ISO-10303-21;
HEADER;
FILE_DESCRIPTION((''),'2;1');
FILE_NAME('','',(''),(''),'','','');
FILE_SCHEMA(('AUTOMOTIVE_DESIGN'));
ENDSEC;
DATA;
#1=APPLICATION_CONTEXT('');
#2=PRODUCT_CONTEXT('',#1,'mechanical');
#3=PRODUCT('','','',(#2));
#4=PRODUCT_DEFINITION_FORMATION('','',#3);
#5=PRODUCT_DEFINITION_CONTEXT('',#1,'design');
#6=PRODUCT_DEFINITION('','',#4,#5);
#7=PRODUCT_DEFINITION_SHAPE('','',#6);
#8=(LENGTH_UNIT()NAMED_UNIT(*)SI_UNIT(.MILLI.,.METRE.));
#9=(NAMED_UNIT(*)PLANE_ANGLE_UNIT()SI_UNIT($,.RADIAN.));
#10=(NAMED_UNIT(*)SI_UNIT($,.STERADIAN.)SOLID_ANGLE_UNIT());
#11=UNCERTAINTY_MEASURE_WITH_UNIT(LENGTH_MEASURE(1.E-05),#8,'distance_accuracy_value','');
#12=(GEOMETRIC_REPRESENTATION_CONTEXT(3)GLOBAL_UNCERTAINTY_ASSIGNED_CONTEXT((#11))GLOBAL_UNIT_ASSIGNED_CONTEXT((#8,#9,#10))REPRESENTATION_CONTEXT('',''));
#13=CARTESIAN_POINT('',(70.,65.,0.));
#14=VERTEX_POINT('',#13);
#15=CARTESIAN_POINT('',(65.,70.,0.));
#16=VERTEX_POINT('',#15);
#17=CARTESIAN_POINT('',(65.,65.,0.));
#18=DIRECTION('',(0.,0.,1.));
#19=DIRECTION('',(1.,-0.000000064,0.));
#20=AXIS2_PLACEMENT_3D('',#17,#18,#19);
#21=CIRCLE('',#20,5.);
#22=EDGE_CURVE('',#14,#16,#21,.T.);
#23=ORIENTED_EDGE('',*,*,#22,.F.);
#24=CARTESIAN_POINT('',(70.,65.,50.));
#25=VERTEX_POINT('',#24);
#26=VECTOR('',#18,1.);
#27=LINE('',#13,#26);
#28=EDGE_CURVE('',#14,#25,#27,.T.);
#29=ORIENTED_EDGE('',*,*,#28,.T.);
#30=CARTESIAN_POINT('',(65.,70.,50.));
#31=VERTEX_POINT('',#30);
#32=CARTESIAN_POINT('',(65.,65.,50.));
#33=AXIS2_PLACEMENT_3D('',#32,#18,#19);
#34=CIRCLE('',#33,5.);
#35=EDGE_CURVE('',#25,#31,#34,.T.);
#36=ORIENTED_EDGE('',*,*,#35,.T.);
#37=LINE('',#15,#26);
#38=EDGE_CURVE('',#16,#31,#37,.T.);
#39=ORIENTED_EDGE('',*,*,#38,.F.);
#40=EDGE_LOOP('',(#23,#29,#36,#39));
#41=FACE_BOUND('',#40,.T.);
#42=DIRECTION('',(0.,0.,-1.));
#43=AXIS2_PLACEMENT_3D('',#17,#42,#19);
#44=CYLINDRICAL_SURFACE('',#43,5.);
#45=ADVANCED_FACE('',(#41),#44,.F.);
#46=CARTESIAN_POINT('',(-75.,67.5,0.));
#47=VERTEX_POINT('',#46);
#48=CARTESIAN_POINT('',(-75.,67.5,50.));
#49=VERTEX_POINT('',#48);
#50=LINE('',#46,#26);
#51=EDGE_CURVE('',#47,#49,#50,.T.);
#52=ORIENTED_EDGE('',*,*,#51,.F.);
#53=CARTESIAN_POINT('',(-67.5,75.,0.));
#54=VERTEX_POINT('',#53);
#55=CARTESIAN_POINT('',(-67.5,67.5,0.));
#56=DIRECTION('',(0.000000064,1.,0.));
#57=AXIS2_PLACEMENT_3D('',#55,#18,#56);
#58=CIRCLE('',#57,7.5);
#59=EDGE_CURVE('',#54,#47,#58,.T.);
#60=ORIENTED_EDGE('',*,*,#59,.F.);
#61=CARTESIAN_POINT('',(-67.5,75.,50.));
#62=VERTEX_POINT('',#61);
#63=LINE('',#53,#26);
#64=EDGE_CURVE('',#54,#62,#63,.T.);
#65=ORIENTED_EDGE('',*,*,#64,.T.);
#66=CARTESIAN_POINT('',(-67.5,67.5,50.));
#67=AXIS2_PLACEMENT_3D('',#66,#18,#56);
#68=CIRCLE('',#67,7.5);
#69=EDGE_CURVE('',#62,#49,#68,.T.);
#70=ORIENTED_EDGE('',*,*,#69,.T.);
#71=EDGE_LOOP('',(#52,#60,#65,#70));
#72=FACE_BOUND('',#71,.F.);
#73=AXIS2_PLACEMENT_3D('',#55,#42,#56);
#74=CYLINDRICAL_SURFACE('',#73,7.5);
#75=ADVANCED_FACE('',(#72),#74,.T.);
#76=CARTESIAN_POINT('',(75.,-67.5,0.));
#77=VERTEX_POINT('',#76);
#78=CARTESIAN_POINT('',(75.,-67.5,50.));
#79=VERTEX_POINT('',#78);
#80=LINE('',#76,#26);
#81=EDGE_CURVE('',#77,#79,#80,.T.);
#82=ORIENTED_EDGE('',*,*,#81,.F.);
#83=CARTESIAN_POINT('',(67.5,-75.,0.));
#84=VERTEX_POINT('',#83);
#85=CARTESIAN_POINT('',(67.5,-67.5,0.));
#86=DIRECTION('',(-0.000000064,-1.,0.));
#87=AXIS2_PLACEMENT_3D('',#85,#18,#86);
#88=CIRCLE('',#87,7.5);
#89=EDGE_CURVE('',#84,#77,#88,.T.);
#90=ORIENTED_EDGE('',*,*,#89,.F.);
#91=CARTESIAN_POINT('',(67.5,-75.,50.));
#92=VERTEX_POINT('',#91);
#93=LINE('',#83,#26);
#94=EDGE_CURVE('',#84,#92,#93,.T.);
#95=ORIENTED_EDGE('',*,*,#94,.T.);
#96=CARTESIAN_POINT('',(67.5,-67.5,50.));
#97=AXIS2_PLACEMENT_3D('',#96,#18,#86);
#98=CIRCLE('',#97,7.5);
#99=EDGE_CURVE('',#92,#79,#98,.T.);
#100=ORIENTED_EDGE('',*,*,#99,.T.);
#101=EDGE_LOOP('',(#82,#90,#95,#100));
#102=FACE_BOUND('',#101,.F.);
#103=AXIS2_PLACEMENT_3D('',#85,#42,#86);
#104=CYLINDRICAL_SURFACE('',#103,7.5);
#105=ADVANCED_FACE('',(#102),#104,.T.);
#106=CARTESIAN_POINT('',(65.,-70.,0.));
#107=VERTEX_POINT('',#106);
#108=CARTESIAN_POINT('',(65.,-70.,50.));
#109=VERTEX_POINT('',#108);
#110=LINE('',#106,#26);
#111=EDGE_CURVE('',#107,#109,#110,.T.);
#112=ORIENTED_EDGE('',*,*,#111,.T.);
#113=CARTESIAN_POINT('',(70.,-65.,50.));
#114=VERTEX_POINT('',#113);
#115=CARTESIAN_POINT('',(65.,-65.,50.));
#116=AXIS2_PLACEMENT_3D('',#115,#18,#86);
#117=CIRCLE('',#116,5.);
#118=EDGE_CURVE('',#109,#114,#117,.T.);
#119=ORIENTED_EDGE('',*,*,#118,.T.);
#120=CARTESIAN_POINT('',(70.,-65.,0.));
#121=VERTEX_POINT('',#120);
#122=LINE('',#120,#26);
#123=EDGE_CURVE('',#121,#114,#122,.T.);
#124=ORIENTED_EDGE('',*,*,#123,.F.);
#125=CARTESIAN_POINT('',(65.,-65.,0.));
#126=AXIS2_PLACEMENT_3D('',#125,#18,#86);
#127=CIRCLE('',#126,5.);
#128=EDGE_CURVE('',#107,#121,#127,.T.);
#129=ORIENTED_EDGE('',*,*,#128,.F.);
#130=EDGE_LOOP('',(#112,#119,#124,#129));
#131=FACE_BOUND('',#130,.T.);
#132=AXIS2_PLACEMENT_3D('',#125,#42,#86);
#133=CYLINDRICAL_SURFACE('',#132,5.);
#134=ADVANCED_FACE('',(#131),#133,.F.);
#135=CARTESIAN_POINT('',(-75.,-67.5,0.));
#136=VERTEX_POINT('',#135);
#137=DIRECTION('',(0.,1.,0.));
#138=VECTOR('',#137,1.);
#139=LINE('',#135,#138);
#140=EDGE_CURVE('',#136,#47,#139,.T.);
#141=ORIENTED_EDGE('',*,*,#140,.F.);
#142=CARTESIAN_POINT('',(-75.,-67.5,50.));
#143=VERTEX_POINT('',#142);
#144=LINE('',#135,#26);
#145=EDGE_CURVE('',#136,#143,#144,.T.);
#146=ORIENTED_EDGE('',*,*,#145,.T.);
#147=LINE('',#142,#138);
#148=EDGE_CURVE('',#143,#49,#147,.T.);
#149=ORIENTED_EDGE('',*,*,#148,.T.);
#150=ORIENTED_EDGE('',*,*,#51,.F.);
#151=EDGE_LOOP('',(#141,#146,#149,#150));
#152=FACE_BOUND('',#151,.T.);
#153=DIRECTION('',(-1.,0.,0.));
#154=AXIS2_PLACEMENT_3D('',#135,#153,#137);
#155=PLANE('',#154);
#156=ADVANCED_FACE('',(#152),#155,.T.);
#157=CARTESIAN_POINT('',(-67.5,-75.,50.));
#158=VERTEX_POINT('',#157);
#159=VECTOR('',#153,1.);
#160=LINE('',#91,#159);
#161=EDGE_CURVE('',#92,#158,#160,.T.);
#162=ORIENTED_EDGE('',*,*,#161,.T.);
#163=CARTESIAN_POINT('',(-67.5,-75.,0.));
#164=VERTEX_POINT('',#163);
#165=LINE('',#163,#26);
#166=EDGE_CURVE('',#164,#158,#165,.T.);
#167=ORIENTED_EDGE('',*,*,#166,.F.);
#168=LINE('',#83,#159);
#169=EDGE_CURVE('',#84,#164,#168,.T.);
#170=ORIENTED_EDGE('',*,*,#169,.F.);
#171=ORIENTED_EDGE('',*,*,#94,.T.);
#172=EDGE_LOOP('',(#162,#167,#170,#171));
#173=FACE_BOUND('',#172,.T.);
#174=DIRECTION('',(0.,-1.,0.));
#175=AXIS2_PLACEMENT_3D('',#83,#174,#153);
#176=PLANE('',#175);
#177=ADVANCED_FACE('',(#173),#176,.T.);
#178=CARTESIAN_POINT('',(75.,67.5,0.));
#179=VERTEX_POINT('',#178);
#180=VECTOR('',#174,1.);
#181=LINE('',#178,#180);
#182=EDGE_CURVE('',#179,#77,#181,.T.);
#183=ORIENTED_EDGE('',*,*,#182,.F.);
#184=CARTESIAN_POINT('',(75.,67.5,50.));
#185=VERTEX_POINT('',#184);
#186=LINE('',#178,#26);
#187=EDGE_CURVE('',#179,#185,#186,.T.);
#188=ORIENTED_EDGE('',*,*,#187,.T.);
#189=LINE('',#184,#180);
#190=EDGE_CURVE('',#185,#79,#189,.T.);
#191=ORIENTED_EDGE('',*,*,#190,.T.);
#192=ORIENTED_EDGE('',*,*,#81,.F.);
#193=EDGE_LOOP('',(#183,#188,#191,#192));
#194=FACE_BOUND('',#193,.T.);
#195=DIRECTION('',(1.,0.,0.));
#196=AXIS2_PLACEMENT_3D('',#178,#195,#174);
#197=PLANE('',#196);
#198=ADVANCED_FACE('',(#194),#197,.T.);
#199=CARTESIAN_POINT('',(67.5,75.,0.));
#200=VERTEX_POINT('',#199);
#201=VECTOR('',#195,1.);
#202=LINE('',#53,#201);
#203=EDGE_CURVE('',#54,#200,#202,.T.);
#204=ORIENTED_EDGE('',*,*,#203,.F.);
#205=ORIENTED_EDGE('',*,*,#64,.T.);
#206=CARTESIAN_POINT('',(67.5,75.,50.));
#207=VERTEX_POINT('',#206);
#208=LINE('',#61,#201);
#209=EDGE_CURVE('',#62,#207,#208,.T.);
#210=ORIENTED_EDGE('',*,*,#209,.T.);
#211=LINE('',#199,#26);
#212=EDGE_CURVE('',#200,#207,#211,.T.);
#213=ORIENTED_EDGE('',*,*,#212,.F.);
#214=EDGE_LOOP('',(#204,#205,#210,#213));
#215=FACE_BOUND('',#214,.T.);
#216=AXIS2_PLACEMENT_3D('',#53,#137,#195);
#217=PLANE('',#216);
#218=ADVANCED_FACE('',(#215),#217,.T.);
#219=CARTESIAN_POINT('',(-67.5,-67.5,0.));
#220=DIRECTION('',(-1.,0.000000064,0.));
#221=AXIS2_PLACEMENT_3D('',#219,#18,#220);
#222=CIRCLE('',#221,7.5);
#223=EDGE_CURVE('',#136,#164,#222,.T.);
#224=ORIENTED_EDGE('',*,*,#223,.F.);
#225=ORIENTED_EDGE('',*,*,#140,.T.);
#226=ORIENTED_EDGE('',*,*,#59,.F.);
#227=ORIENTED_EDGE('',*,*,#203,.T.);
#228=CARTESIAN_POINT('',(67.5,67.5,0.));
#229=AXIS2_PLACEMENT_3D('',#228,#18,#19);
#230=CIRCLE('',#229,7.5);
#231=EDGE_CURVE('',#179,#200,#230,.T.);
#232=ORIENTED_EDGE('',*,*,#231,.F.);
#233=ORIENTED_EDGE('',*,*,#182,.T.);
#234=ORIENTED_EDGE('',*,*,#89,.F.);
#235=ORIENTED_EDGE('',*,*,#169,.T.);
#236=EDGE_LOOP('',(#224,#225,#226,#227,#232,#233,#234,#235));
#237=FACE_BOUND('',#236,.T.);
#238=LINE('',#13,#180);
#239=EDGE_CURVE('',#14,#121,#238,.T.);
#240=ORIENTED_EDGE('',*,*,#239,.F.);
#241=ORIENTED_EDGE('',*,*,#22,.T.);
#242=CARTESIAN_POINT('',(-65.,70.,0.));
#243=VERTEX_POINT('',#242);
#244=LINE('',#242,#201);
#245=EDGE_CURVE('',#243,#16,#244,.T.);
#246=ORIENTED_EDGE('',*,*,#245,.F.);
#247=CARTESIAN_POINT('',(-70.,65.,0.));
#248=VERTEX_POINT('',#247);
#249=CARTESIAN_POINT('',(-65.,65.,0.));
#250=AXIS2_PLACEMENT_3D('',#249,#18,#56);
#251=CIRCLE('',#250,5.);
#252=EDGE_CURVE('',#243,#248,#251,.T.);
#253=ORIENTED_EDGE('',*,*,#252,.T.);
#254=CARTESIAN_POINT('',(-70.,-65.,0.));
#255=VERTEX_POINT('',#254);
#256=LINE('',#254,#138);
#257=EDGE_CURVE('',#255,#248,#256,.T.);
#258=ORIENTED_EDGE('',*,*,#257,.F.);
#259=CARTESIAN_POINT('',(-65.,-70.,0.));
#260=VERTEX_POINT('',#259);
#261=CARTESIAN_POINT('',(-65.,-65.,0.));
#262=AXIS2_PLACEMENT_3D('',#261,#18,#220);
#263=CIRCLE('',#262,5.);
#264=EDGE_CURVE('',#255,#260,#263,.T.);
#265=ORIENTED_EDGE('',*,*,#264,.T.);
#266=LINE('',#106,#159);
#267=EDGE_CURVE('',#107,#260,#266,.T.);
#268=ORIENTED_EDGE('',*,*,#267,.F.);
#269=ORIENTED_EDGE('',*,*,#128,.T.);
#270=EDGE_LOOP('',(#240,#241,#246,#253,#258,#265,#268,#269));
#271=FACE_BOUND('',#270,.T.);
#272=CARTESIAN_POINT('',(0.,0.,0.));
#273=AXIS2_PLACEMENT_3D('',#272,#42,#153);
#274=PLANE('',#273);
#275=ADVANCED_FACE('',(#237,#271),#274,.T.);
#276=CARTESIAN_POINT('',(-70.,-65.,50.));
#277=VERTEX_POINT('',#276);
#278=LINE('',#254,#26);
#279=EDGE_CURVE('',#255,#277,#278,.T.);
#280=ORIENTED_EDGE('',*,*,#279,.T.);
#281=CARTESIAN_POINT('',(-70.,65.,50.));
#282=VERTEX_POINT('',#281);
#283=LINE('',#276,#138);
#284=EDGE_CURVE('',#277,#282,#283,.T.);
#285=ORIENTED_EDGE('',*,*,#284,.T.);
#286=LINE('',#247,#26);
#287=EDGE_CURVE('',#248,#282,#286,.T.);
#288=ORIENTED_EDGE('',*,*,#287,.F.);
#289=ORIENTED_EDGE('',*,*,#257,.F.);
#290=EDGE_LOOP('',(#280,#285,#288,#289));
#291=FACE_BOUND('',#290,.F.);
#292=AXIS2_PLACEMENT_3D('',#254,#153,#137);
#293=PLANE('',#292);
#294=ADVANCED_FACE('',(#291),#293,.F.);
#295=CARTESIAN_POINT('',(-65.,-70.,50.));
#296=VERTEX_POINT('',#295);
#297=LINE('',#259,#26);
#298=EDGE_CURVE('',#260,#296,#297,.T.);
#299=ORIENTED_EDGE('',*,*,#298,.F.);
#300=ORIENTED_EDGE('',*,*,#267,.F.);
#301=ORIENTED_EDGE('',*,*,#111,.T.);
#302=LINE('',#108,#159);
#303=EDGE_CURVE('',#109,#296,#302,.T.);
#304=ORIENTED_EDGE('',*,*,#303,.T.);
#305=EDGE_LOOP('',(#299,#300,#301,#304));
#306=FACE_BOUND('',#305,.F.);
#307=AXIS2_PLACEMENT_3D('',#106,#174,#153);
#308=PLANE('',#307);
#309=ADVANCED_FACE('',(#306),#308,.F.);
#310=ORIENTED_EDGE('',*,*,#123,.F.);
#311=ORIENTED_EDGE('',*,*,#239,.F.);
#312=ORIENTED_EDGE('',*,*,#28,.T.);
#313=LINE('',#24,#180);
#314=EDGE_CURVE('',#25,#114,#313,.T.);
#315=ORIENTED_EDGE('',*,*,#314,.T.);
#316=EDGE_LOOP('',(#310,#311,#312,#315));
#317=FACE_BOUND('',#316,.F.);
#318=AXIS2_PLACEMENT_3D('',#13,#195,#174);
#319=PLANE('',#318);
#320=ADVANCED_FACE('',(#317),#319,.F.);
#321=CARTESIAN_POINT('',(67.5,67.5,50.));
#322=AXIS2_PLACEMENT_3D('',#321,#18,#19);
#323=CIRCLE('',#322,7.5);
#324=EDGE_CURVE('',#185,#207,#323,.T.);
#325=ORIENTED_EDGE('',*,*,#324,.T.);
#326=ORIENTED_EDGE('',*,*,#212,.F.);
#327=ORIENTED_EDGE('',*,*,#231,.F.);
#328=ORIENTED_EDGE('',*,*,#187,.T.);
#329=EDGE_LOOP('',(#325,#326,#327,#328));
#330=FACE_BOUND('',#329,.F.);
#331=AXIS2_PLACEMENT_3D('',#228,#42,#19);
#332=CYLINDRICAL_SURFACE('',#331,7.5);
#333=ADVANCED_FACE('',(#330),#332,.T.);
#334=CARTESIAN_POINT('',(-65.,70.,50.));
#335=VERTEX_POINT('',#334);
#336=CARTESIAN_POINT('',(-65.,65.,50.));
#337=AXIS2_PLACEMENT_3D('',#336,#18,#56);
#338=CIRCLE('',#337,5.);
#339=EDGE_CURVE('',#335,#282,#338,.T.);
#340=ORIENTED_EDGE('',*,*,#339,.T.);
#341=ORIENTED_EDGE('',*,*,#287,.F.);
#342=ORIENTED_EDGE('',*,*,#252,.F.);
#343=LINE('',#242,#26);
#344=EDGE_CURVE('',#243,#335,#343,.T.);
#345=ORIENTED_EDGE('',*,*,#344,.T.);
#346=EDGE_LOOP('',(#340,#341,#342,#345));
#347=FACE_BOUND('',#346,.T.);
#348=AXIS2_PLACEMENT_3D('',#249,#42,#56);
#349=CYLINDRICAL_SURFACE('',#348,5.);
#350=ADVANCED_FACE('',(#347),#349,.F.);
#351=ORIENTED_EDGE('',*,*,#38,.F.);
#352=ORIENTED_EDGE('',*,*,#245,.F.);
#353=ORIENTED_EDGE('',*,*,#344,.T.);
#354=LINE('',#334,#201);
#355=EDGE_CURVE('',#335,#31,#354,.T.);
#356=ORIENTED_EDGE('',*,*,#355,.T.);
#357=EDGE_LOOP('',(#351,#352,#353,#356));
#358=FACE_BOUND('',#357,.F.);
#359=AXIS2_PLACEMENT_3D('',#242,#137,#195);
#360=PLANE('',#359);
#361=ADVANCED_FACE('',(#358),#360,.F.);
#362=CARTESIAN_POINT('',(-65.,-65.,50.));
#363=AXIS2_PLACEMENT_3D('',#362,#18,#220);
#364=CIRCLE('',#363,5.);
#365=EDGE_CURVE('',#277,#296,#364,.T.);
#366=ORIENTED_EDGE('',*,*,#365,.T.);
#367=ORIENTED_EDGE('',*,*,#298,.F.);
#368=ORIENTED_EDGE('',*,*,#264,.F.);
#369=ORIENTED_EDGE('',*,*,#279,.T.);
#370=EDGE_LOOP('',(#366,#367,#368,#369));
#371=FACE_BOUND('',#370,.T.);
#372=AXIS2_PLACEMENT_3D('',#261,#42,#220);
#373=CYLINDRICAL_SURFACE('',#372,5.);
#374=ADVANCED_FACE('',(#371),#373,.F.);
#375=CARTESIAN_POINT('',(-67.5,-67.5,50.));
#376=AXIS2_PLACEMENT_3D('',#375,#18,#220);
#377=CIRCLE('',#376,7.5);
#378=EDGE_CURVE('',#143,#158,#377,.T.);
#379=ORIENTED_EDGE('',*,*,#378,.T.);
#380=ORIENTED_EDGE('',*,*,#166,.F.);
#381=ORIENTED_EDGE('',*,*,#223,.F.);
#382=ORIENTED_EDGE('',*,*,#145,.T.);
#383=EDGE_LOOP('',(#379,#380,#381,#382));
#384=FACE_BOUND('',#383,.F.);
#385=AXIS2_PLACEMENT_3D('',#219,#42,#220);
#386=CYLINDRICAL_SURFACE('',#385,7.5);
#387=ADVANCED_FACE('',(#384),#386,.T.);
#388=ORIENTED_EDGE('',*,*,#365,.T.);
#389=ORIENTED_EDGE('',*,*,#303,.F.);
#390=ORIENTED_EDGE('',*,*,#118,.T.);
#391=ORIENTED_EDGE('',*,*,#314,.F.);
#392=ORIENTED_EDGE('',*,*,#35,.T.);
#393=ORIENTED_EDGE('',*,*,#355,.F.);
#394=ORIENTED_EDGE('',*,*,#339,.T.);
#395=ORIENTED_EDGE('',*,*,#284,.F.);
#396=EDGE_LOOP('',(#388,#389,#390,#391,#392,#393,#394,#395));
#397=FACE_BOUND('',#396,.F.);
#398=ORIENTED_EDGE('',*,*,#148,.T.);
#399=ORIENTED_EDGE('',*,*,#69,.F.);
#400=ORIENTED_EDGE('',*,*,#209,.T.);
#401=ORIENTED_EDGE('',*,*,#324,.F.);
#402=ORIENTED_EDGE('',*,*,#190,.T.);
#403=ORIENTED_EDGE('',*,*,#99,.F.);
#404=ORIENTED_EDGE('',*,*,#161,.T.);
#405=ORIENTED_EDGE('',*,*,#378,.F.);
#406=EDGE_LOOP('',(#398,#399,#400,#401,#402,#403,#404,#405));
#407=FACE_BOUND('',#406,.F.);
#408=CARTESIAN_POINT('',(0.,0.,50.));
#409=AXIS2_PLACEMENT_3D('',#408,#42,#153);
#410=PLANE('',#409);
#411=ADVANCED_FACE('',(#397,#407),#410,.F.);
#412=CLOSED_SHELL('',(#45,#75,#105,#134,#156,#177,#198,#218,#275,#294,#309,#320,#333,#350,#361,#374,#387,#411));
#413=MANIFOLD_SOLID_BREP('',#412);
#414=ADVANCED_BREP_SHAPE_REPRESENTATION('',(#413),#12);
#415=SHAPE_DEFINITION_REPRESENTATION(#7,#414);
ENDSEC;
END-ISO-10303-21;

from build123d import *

# Parameters (mm, degrees)
EXTRUDE_DEPTH = 50


with BuildPart() as part:
    # Sketch → Extrude (new body)
    with BuildSketch(Plane.XY):
        with BuildLine():
            Line((-67.5, 75), (67.5, 75))
            ThreePointArc((75, 67.5), (72.803301, 72.803301), (67.5, 75))
            Line((75, 67.5), (75, -67.5))
            ThreePointArc((67.5, -75), (72.803301, -72.803301), (75, -67.5))
            Line((67.5, -75), (-67.5, -75))
            ThreePointArc((-75, -67.5), (-72.803301, -72.803301), (-67.5, -75))
            Line((-75, -67.5), (-75, 67.5))
            ThreePointArc((-67.5, 75), (-72.803301, 72.803301), (-75, 67.5))
        make_face()
        with BuildLine():
            Line((-65, 70), (65, 70))
            ThreePointArc((70, 65), (68.535534, 68.535534), (65, 70))
            Line((70, 65), (70, -65))
            ThreePointArc((65, -70), (68.535534, -68.535534), (70, -65))
            Line((65, -70), (-65, -70))
            ThreePointArc((-70, -65), (-68.535534, -68.535534), (-65, -70))
            Line((-70, -65), (-70, 65))
            ThreePointArc((-65, 70), (-68.535534, 68.535534), (-70, 65))
        make_face(mode=Mode.SUBTRACT)
    extrude(amount=EXTRUDE_DEPTH)


solid = part.part
